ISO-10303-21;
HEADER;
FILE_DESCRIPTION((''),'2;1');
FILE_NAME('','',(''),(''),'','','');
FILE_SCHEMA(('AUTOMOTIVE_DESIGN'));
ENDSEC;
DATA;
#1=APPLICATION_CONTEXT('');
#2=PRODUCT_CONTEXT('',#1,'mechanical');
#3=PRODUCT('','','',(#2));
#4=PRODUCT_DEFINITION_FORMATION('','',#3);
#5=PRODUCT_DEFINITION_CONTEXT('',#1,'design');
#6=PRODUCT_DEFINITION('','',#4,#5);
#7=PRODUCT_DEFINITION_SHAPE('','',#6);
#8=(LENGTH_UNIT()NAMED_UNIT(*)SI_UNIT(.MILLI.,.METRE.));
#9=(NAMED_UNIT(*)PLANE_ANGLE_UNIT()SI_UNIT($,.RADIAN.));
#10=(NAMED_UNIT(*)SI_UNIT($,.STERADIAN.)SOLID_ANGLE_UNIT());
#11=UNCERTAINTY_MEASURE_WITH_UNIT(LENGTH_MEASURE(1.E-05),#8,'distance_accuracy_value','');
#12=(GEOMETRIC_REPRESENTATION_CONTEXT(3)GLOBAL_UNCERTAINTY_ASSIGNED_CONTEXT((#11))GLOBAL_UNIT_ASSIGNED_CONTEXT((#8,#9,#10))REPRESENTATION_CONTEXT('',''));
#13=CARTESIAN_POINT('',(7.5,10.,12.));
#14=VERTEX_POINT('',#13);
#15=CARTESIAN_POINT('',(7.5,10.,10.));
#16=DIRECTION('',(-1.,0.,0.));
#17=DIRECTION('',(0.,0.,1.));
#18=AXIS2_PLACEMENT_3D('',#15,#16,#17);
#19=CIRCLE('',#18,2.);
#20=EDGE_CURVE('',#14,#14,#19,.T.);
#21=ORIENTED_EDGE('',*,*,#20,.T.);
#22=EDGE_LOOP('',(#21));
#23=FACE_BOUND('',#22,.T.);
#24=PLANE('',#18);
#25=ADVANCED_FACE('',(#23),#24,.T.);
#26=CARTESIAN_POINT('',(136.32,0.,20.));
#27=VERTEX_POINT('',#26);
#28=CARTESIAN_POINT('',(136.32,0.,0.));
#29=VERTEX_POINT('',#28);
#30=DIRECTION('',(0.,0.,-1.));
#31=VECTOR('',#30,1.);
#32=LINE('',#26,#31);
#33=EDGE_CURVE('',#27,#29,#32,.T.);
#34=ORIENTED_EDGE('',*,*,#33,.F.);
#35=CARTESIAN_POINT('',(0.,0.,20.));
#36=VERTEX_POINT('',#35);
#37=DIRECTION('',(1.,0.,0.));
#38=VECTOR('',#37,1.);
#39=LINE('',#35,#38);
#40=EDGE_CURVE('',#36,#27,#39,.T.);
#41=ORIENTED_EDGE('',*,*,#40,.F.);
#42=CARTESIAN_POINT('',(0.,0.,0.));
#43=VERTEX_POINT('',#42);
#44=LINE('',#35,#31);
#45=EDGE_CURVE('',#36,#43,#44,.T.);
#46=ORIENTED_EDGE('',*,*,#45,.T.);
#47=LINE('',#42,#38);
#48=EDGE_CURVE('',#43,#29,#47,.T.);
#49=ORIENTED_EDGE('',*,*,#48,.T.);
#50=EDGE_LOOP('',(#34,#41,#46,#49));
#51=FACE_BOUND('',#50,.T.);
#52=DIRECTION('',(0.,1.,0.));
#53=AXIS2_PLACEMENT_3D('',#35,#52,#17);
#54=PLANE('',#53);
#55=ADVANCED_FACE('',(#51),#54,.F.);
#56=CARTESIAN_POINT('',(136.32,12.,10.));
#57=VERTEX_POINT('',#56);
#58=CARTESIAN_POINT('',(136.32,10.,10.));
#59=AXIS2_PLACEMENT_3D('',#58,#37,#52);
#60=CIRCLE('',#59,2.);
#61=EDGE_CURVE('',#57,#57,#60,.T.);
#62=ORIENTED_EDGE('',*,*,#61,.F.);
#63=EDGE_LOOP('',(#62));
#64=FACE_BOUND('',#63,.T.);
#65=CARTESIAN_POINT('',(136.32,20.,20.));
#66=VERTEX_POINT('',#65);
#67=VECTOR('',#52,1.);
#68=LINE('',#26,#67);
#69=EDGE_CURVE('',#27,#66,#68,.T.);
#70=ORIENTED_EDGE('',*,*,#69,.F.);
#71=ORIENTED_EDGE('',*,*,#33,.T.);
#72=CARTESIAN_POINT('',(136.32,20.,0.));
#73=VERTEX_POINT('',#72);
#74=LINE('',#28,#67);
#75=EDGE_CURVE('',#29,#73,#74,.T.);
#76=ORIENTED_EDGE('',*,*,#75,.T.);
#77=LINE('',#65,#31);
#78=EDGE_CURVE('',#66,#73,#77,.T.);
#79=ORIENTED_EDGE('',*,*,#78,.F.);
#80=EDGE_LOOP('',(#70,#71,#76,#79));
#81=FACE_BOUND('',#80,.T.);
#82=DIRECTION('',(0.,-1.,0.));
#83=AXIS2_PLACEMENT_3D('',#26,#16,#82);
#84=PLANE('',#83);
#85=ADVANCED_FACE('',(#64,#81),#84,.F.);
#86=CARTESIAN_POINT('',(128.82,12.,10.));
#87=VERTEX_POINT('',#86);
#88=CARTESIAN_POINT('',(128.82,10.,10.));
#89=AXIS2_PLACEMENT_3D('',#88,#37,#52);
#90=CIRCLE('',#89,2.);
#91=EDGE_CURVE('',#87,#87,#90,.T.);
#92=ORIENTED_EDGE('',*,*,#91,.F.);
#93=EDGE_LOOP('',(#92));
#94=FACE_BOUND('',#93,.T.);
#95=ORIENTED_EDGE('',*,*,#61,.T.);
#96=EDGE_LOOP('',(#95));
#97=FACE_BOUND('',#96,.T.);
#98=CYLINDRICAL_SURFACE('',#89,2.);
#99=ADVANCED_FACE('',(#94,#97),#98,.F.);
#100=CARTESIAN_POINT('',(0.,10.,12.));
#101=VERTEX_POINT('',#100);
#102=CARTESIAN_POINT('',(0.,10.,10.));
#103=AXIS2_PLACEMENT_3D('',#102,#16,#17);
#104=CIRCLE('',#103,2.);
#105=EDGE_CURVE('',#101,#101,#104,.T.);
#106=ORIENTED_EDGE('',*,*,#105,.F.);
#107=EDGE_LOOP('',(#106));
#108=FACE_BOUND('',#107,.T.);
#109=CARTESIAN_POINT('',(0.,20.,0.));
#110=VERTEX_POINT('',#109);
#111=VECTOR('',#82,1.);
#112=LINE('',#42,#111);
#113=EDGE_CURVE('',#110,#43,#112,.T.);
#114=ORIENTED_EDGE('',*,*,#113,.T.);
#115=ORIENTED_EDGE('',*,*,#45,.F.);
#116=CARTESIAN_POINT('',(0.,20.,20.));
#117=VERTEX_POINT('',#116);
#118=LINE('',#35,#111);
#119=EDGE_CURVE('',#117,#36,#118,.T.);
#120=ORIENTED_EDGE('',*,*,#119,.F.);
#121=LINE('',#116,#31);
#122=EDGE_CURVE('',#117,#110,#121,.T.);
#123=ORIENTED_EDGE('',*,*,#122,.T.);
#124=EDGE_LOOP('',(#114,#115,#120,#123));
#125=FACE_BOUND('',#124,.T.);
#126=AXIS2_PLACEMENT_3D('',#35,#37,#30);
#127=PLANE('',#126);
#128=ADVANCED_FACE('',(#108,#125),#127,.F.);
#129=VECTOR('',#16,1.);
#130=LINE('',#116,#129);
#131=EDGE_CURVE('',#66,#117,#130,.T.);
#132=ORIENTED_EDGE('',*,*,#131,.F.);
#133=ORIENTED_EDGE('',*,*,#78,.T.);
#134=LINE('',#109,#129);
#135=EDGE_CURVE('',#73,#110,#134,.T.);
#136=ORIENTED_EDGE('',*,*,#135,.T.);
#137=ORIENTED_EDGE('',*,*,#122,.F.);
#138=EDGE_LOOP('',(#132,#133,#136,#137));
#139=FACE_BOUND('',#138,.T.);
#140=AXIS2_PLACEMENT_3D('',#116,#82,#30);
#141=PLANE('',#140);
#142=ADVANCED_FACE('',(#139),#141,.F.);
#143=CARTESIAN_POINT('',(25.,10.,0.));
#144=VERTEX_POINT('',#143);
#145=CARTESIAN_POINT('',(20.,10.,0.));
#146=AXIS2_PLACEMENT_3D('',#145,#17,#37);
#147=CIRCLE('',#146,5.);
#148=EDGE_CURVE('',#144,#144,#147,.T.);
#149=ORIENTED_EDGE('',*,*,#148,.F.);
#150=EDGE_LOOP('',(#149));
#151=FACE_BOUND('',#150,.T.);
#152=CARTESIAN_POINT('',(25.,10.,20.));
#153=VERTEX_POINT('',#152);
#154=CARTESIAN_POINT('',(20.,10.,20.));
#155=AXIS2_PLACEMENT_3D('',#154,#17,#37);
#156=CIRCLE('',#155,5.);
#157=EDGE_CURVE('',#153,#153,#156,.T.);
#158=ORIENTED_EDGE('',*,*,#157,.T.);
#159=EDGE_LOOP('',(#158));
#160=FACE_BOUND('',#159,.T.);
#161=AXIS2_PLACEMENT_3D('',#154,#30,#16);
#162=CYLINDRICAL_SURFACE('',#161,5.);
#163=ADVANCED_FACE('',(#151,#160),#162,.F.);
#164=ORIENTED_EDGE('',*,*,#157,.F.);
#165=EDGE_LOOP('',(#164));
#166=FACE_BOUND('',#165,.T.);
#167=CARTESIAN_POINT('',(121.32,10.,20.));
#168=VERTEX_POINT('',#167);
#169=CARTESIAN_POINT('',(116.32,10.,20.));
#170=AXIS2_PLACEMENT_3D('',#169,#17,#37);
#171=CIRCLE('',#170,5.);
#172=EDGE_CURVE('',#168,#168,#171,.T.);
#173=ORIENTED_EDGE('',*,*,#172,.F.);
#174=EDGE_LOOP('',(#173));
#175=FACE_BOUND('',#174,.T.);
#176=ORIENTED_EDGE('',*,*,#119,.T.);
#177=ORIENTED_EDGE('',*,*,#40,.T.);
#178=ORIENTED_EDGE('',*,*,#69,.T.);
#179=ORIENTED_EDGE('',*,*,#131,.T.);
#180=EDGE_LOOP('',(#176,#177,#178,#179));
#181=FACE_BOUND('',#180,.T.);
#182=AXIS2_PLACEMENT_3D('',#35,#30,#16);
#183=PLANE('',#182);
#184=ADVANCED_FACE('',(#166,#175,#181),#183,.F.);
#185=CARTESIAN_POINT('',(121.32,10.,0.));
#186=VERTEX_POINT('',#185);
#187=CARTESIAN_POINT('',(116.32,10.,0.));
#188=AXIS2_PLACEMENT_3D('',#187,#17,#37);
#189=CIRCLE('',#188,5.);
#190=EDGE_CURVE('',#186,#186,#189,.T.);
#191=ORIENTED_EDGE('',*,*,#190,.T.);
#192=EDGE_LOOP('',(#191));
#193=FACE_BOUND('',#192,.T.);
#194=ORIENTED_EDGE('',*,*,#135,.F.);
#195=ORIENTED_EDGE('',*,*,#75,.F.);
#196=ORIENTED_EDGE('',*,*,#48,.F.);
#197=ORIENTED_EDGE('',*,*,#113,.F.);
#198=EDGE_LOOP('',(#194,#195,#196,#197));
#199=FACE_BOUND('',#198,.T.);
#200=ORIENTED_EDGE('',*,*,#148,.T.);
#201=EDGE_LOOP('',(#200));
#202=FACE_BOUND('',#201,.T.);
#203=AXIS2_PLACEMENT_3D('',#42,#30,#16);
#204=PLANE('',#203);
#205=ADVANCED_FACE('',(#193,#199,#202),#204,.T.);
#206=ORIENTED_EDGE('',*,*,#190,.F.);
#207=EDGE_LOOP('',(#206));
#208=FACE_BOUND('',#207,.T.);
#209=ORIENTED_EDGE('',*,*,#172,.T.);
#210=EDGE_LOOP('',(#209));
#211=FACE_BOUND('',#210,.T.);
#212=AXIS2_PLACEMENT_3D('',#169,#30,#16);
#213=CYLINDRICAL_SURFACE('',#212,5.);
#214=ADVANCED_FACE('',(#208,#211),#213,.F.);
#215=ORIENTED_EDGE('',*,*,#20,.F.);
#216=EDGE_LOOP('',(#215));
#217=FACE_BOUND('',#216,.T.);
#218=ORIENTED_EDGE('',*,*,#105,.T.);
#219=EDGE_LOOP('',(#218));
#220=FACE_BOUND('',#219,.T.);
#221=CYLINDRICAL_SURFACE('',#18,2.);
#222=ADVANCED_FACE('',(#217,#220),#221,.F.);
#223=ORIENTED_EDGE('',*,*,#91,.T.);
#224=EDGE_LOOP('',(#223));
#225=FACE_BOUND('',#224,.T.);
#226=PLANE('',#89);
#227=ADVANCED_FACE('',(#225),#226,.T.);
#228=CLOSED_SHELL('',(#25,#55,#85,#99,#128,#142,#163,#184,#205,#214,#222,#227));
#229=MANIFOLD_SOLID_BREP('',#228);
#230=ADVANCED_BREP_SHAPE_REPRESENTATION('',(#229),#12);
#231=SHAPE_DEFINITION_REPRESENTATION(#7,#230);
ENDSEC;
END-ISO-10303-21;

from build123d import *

# Parameters (mm, degrees)
SKETCH1_W           = 136.32
SKETCH1_H           = 20
SKETCH1_R           = 5
BOSS_EXTRUDE1_DEPTH = 20
SKETCH2_R           = 2
CUT_EXTRUDE1_DEPTH  = 7.5
CUT_EXTRUDE2_START  = -7.5
SKETCH3_R           = 2
CUT_EXTRUDE2_DEPTH  = 7.5


with BuildPart() as part:
    # Sketch1 → Boss-Extrude1 (new body)
    with BuildSketch(Plane.XY):
        with Locations((68.16, 10)):
            Rectangle(SKETCH1_W, SKETCH1_H)
        with Locations((116.32, 10)):
            Circle(SKETCH1_R, mode=Mode.SUBTRACT)
        with Locations((20, 10)):
            Circle(SKETCH1_R, mode=Mode.SUBTRACT)
    extrude(amount=BOSS_EXTRUDE1_DEPTH)

    # Sketch2 → Cut-Extrude1 (cut)
    with BuildSketch(Plane.ZY):
        with Locations((10, 10)):
            Circle(SKETCH2_R)
    extrude(amount=-CUT_EXTRUDE1_DEPTH, mode=Mode.SUBTRACT)

    # Sketch3 → Cut-Extrude2 (cut)
    with BuildSketch(Plane(origin=(136.32, 0, 0), x_dir=(0, 0, -1), z_dir=(1, 0, 0)).offset(CUT_EXTRUDE2_START)):
        with Locations(Location((-10, 10, 0), (0, 0, 180))):
            Circle(SKETCH3_R)
    extrude(amount=CUT_EXTRUDE2_DEPTH, mode=Mode.SUBTRACT)


solid = part.part
